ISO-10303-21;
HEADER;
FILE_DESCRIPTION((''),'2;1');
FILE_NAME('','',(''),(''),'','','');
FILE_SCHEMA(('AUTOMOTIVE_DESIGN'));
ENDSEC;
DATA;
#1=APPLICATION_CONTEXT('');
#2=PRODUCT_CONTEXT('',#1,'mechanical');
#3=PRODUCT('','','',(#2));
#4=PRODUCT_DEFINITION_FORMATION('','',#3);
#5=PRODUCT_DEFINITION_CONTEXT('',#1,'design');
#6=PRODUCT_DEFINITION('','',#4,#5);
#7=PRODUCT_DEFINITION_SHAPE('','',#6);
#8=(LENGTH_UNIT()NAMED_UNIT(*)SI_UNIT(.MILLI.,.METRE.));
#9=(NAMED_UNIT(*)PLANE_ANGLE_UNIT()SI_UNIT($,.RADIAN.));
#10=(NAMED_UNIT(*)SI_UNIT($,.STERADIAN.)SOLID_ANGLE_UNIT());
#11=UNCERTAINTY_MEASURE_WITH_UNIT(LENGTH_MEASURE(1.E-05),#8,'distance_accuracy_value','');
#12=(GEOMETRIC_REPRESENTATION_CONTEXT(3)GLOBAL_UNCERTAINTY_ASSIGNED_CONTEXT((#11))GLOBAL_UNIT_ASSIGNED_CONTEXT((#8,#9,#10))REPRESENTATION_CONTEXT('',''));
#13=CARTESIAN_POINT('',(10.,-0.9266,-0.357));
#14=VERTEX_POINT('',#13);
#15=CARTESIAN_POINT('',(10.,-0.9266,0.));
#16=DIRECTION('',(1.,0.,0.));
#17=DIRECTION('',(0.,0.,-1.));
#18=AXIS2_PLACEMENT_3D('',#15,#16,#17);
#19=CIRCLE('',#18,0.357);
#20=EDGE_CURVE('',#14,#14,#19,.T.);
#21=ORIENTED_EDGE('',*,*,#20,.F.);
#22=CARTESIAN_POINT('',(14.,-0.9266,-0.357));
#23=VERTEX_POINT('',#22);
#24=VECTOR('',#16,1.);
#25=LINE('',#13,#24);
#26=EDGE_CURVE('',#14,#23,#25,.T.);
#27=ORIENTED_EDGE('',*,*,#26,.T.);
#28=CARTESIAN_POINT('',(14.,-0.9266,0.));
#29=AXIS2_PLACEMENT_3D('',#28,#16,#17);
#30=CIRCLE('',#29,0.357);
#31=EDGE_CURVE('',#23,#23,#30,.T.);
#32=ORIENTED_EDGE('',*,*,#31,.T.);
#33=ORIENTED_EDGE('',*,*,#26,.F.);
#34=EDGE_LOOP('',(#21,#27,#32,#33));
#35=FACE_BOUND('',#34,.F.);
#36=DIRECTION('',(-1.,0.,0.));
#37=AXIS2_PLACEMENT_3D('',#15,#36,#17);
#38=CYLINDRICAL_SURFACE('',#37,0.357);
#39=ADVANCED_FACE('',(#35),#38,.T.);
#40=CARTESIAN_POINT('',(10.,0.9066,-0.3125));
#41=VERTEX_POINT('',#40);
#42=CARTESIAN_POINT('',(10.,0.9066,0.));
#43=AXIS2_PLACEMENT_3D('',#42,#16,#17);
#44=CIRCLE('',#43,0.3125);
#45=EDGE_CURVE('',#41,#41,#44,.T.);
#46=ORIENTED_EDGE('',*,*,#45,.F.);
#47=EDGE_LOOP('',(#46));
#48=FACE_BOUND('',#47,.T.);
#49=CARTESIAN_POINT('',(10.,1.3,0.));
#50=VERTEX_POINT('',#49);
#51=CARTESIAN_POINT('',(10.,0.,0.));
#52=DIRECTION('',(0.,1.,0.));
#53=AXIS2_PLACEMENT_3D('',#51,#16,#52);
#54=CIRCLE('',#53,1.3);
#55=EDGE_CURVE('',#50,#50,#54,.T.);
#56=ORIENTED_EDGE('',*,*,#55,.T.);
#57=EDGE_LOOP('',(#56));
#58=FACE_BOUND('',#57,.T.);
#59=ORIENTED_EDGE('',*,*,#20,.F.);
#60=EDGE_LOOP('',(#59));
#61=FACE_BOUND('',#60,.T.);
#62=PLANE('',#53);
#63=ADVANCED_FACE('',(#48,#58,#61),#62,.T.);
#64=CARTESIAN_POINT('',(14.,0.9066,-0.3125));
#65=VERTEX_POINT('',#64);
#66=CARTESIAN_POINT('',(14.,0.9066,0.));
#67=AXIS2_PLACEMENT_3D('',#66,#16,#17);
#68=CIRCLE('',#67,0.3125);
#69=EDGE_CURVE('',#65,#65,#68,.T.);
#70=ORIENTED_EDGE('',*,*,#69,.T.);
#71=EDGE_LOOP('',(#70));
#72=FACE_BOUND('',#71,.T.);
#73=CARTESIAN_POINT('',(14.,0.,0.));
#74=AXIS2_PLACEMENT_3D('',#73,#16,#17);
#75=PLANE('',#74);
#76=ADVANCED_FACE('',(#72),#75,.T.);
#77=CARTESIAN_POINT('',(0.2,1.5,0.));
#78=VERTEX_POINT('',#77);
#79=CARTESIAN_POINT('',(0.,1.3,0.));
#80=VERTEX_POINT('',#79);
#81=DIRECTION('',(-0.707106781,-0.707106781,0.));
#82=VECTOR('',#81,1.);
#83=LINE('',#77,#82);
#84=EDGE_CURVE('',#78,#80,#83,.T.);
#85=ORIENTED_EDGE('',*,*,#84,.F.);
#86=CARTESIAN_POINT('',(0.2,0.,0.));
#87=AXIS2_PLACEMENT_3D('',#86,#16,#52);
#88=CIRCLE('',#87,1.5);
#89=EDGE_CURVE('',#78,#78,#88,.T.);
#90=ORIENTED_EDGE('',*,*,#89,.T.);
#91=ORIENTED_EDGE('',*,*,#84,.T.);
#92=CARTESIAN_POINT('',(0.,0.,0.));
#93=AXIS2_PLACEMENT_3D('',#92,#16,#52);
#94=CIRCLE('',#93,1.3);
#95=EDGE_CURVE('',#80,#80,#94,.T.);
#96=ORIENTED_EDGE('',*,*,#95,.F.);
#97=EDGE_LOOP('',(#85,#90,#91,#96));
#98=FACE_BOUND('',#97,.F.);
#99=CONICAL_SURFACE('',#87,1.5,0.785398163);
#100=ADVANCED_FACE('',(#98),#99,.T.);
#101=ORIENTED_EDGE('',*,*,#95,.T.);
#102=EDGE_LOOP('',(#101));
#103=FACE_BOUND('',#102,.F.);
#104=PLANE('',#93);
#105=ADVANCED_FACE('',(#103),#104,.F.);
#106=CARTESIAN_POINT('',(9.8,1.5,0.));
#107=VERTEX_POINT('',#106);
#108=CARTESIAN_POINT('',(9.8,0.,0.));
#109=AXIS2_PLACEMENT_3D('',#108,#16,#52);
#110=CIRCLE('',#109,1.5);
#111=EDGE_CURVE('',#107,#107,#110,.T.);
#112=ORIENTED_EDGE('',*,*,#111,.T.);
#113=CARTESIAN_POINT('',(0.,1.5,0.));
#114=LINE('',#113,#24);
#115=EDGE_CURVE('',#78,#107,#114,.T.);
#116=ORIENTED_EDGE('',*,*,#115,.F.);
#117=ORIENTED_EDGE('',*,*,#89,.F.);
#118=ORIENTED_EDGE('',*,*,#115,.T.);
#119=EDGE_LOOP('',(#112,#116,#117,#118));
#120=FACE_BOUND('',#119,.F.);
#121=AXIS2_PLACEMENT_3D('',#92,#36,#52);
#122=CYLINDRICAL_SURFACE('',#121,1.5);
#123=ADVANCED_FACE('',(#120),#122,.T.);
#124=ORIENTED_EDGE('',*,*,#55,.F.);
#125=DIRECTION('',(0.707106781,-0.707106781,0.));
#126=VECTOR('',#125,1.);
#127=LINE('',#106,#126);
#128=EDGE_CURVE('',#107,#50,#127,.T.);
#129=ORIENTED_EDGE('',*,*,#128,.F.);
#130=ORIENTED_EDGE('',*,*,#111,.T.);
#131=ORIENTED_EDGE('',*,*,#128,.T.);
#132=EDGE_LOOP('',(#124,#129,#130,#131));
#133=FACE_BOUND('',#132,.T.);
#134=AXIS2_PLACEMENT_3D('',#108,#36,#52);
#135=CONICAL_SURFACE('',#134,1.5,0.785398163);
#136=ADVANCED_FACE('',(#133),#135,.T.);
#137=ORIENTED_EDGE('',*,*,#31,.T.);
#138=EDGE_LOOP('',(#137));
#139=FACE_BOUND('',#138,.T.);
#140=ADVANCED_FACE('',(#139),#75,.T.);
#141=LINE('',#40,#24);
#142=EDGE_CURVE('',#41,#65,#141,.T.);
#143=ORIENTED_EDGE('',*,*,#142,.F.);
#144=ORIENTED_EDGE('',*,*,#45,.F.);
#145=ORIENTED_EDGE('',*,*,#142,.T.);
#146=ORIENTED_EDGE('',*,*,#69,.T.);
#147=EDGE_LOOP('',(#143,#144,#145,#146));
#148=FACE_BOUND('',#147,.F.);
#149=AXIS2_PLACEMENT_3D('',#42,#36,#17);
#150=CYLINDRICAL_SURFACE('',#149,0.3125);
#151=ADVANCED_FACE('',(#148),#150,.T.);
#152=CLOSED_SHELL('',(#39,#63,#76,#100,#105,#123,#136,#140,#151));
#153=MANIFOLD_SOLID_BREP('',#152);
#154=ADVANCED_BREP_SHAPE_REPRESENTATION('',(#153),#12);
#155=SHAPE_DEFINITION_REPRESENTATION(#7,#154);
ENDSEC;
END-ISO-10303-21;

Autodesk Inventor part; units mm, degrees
ref_plane "YZ Plane" through (0, 0, 0) normal (1, 0, 0) x (0, 1, 0)
ref_plane "XZ Plane" through (0, 0, 0) normal (0, 1, 0) x (-1, 0, 0)
ref_plane "XY Plane" through (0, 0, 0) normal (0, 0, 1) x (1, 0, 0)
sketch "Эскиз1" plane through (0, 0, 0) normal (1, 0, 0) x (0, 1, 0)
  circle A0 centre (0, 0) radius 1.5
  dimension "d0" = 3
extrude "Выдавливание1" add sketch "Эскиз1" along normal blind 10
sketch "Эскиз2" plane through (10, 0, 0) normal (1, 0, 0) x (0, 0, -1)
  circle A0 centre (0, 0.9066) radius 0.3125
  circle A1 centre (0, -0.9266) radius 0.357
  point P0 (0, 0)
extrude "Выдавливание2" add sketch "Эскиз2" along normal blind 4
chamfer "Фаска1" distance 0.2 angle 45 2 edges at (10, -1.5, 0) (0, -1.5, 0)
properties part number "термодатчик1"
